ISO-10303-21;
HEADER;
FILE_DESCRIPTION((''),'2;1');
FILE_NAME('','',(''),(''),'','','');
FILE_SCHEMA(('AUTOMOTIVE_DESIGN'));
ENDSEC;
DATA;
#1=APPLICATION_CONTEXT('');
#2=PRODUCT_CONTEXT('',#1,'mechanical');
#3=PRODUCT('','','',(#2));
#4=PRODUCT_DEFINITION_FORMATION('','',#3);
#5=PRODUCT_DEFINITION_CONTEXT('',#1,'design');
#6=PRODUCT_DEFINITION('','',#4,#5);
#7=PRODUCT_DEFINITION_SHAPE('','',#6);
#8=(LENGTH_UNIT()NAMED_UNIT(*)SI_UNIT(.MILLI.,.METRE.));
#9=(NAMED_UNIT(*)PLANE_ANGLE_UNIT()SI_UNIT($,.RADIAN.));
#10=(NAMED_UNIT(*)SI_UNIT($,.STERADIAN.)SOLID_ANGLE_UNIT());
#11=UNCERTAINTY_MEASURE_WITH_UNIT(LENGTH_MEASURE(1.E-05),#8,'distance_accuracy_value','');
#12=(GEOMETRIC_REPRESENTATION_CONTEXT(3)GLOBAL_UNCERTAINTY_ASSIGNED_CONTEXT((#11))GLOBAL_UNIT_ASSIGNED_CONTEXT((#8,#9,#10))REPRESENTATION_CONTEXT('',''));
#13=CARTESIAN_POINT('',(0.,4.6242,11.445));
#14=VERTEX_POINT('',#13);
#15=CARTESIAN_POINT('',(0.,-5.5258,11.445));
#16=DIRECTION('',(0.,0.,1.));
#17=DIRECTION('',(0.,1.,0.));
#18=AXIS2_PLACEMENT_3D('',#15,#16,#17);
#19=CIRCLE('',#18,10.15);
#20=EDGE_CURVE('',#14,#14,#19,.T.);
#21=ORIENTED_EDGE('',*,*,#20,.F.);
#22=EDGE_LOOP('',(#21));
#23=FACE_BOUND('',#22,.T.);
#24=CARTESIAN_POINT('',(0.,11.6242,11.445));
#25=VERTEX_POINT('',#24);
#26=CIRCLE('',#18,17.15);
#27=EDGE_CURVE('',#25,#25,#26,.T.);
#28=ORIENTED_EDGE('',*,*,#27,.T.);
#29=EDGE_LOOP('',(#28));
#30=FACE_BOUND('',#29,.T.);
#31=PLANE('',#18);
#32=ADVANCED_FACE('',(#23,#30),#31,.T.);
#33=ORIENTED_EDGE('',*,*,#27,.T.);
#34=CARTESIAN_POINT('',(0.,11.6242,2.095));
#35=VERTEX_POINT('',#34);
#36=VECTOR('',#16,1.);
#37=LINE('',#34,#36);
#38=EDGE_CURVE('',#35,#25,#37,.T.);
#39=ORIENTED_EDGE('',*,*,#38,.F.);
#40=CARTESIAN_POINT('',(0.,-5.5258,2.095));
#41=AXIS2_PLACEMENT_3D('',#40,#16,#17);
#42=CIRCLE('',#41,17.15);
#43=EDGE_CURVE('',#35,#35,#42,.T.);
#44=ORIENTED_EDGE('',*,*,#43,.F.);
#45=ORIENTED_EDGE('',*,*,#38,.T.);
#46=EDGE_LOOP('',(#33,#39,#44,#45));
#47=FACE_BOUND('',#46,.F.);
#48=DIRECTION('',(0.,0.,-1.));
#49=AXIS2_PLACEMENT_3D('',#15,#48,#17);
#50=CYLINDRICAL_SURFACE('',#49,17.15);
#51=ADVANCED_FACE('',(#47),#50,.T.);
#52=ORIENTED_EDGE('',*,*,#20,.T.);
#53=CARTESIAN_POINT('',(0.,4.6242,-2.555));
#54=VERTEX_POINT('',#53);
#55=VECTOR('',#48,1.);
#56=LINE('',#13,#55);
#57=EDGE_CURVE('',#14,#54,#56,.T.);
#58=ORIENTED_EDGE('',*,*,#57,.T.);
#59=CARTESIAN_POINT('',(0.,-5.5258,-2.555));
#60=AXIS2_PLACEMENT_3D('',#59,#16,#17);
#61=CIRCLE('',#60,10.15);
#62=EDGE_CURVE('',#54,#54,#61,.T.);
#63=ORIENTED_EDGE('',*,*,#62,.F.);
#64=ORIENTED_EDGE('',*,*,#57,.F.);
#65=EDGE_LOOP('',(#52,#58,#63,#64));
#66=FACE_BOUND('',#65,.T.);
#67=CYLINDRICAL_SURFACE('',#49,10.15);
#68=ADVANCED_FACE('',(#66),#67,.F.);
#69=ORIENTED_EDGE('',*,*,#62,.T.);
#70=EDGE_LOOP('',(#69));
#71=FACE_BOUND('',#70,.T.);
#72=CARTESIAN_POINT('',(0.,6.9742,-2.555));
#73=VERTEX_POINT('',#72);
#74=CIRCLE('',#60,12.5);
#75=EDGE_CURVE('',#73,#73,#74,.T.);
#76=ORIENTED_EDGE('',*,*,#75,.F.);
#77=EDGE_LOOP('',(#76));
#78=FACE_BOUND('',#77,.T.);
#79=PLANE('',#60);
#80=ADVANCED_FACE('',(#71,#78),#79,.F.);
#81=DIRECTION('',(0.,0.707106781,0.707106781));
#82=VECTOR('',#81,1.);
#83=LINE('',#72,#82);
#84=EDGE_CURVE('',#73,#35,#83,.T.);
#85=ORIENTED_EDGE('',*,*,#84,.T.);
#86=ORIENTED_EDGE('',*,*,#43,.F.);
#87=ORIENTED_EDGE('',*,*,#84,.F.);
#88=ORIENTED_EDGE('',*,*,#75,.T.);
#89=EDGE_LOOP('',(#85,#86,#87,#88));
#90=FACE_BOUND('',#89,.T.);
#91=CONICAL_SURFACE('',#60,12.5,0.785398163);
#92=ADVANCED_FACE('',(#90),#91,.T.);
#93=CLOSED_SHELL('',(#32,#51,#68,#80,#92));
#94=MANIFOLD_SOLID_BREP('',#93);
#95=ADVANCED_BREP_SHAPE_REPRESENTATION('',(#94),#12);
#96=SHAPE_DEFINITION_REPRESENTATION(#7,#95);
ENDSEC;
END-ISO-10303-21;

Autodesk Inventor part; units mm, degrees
ref_plane "YZ Plane" through (0, 0, 0) normal (1, 0, 0) x (0, 1, 0)
ref_plane "XZ Plane" through (0, 0, 0) normal (0, 1, 0) x (-1, 0, 0)
ref_plane "XY Plane" through (0, 0, 0) normal (0, 0, 1) x (1, 0, 0)
sketch "スケッチ1" plane through (0, 0, 0) normal (1, 0, 0) x (0, 1, 0)
  line L0 (4.6242, 11.445) -> (4.6242, -2.555)
  line L1 (11.6242, 11.445) -> (11.6242, 2.095)
  line L2 (4.6242, -2.555) -> (6.9742, -2.555)
  line L3 (6.9742, -2.555) -> (6.9742, -0.555) construction
  line L4 (6.9742, -0.555) -> (4.6242, -0.555) construction
  line L5 (4.6242, -0.555) -> (4.6242, -2.555)
  line L6 (6.9742, -0.555) -> (13.5918, -0.555) construction
  line L7 (6.9742, -2.555) -> (11.6242, 2.095)
  line L8 (6.9742, -2.555) -> (13.5503, -2.555) construction
  line L9 (11.6242, 11.445) -> (4.6242, 11.445)
  line L10 (4.6242, 11.445) -> (11.4742, 11.445)
  line L11 (11.4742, 11.445) -> (11.4742, 4.445)
  line L12 (11.4742, 4.445) -> (4.6242, 4.445)
  line L13 (4.6242, 4.445) -> (4.6242, 11.445)
  line L14 (-5.5258, -6.545) -> (-5.5258, 15.435)
  line L15 (11.4742, 4.445) -> (11.6242, 4.595)
  point P0 (0, 0)
  point P1 (-5.5258, 4.445)
  point P2 (4.6242, 4.445)
  point P3 (11.6242, 6.77)
  point P4 (11.7242, 5.295)
  point P5 (11.4742, 12.295)
  point P6 (4.7242, 5.295)
  dimension "d0" = 10.15
  dimension "d1" = 7
  dimension "d2" = 14
  dimension "d3" = 2
  dimension "d4" = 12.5
  dimension "d5" = 45
  dimension "d6" = 7
  dimension "d7" = 17
  dimension "d8" = 45
revolve "回転1" add sketch "スケッチ1" angle 360 about axis through (0, -5.5258, -6.545) along (0, 0, 1)
properties part number "roja-v1-3DP-rotate-spesa" material "ABS プラスチック"
